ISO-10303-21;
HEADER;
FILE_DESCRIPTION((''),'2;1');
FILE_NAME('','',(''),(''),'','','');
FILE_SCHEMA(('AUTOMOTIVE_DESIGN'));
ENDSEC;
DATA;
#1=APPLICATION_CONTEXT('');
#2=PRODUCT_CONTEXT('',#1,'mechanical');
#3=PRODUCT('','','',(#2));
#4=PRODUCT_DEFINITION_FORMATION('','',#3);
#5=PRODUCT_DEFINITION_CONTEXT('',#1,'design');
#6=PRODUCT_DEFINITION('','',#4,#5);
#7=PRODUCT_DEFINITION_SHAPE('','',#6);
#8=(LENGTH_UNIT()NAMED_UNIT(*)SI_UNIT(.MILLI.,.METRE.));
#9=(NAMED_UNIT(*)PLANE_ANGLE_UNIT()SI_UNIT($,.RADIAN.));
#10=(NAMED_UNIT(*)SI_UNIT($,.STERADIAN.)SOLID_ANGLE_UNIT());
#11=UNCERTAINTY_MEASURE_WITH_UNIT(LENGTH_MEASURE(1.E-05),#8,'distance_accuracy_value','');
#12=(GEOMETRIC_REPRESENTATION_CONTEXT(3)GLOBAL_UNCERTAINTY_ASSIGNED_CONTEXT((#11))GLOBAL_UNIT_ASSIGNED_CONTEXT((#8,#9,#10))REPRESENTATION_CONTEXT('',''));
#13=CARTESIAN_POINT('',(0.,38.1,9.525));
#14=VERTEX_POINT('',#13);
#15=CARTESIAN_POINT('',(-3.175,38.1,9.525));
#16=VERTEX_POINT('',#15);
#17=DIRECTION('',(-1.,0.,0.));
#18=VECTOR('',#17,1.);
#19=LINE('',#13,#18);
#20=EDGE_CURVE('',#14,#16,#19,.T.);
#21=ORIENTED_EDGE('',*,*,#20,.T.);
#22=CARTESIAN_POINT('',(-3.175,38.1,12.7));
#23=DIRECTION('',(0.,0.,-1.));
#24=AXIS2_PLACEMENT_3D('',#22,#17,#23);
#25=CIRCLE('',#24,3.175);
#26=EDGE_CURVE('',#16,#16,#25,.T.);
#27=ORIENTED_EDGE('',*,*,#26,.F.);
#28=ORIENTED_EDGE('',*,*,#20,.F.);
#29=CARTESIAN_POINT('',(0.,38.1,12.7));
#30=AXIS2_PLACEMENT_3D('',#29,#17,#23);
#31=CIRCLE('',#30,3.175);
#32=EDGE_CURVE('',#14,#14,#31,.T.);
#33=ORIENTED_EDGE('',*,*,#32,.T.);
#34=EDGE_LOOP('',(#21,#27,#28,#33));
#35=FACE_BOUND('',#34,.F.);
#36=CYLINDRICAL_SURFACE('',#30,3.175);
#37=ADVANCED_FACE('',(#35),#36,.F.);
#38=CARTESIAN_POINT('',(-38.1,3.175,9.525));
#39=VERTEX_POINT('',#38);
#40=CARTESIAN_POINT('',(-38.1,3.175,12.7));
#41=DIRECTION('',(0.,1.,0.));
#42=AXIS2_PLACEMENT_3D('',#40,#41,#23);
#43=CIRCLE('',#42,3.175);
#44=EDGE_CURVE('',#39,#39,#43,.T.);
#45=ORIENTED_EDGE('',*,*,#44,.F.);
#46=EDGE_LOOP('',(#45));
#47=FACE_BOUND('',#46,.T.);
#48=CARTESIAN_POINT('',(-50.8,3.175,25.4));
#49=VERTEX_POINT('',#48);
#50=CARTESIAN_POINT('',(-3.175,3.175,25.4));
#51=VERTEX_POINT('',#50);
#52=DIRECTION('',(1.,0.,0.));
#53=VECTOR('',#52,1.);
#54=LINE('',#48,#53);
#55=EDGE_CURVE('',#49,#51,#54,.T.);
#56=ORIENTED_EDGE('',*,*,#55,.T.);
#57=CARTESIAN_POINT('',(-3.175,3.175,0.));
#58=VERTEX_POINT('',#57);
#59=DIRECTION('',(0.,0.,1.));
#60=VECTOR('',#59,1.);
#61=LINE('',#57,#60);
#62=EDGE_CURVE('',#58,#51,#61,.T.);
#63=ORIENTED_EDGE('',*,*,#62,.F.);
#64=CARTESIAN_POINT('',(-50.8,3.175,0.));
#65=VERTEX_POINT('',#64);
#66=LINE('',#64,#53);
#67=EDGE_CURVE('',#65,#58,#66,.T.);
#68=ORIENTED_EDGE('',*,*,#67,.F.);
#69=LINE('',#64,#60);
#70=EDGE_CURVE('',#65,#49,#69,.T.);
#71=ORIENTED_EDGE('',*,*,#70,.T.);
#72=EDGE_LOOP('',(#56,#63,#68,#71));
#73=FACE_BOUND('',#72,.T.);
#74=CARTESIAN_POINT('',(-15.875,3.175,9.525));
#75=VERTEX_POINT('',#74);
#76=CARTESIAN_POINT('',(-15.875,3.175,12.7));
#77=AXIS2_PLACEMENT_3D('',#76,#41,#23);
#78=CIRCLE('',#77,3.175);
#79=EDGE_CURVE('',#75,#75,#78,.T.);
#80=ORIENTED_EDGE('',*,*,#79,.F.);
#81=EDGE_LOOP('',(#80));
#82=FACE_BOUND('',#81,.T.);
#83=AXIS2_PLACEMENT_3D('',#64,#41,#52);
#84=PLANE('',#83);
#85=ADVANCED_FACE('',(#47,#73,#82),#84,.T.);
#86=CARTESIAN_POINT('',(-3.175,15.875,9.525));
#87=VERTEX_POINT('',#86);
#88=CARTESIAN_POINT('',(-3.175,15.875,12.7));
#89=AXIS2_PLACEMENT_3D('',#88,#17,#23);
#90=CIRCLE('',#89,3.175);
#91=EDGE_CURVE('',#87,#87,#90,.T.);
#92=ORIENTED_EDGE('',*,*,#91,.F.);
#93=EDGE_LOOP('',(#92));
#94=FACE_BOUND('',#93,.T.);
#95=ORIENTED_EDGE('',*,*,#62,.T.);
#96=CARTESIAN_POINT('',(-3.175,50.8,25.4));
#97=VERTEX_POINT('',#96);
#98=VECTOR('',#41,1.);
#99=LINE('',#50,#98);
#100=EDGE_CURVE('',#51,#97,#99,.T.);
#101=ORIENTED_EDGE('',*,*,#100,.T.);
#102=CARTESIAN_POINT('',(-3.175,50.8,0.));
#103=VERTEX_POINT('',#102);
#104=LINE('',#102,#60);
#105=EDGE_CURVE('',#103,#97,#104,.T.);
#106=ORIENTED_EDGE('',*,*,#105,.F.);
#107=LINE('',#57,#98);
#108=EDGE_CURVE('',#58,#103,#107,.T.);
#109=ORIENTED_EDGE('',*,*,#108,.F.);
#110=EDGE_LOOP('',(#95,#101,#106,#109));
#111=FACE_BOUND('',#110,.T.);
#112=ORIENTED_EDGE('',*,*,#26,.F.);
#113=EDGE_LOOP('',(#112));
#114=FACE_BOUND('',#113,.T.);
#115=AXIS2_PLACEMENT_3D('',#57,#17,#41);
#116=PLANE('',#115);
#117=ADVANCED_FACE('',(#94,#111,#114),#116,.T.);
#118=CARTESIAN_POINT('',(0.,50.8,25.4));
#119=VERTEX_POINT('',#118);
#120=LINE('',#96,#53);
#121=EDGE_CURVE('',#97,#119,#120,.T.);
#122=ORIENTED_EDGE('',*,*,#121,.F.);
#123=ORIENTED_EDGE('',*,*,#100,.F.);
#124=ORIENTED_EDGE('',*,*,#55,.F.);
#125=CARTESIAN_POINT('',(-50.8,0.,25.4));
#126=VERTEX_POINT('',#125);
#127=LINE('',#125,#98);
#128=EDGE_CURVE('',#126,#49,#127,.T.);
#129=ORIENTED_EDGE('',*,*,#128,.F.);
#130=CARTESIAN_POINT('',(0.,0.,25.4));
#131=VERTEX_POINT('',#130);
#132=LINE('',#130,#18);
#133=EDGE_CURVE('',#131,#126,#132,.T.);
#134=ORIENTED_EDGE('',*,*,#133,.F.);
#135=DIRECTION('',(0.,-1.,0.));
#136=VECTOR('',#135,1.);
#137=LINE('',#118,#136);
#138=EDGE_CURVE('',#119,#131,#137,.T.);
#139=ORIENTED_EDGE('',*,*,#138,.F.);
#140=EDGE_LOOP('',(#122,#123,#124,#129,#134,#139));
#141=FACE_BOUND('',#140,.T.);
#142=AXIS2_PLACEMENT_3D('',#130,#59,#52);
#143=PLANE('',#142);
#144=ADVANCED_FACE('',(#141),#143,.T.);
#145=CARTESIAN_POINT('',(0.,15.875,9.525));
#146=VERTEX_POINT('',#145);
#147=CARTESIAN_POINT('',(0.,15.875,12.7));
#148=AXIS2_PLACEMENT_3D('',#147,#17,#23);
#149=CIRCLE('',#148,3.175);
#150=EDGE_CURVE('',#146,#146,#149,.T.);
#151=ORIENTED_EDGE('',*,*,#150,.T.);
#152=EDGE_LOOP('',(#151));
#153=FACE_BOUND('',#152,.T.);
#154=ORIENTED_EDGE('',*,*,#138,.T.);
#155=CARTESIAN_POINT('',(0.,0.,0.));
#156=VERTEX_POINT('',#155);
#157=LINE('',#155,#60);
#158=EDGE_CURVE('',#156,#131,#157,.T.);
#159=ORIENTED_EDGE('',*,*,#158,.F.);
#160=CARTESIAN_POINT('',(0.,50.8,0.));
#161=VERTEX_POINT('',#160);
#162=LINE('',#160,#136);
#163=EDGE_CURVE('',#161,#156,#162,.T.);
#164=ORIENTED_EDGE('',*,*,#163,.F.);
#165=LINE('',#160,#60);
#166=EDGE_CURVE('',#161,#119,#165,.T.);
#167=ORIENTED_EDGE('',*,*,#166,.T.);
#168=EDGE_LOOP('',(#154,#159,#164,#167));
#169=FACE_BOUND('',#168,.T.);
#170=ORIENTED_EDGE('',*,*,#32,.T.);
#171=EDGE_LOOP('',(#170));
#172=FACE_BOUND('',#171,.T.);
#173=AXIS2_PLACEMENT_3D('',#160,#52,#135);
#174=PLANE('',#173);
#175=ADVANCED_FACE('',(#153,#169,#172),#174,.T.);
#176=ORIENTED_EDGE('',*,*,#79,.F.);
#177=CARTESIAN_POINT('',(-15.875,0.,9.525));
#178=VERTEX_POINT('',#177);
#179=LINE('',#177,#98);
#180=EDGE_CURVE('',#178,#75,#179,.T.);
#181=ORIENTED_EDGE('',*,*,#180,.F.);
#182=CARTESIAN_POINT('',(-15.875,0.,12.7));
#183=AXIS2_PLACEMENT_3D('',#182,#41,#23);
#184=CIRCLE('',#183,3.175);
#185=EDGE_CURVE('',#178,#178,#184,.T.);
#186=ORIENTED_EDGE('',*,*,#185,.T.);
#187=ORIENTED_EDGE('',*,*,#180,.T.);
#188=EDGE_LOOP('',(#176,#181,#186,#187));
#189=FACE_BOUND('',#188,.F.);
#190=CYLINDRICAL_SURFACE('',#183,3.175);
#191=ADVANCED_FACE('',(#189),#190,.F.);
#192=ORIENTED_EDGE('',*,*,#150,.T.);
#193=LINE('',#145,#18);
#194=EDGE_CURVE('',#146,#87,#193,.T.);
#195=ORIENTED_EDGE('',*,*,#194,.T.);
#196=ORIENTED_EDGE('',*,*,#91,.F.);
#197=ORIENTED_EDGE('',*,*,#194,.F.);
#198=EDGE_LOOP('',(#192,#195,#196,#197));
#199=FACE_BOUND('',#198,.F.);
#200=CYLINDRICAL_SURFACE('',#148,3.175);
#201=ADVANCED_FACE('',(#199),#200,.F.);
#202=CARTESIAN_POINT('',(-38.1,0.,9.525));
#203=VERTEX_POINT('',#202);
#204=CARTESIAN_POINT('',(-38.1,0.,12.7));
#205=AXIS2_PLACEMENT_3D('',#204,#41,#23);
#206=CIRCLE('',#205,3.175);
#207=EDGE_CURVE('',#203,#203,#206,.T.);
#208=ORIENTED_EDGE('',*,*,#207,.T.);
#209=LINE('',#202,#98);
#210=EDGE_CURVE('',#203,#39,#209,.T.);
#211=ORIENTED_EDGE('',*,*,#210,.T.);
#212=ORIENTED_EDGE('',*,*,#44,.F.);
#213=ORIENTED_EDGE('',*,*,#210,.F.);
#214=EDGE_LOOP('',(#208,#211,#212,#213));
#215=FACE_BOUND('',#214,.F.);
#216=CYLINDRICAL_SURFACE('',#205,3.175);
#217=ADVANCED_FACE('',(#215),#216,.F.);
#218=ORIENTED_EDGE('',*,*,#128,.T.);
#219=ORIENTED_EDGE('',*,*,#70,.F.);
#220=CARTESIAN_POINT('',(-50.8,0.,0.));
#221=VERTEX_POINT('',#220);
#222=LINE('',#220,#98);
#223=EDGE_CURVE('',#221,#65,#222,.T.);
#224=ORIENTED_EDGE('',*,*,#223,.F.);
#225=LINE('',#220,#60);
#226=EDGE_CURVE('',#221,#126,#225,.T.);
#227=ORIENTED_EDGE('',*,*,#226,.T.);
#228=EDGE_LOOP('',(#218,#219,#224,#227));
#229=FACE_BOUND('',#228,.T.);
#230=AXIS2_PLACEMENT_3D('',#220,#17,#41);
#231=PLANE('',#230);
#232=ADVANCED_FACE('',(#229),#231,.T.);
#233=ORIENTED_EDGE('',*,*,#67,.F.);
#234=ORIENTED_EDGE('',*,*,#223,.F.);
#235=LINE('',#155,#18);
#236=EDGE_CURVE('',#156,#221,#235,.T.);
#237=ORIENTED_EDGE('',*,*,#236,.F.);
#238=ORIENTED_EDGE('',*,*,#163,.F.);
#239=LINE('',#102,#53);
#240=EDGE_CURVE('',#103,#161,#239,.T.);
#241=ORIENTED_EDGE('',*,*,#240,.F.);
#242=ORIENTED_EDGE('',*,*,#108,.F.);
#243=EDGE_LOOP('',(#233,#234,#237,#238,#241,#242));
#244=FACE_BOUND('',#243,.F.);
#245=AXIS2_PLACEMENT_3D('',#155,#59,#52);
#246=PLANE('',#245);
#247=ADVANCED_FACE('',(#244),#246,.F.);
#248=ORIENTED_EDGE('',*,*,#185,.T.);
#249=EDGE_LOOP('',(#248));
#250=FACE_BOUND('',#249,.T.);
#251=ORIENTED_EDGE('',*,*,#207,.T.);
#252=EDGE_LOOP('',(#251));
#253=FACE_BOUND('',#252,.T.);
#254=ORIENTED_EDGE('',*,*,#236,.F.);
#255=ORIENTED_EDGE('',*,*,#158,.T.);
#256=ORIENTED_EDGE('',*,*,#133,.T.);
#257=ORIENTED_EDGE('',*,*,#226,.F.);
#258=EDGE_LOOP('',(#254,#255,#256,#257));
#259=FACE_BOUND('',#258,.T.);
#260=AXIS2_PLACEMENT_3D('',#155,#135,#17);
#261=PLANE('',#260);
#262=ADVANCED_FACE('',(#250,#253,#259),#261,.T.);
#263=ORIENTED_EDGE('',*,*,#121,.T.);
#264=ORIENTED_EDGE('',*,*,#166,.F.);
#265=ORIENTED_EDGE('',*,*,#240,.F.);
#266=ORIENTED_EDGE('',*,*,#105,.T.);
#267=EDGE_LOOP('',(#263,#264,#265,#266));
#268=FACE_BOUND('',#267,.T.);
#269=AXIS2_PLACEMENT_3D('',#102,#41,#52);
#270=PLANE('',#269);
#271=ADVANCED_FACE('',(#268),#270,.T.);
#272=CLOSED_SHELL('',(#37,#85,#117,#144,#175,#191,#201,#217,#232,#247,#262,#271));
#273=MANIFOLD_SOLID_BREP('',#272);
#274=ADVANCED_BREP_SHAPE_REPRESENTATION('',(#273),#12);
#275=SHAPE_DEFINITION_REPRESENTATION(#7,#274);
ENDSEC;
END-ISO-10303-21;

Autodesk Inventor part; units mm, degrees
ref_plane "YZ Plane" through (0, 0, 0) normal (1, 0, 0) x (0, 1, 0)
ref_plane "XZ Plane" through (0, 0, 0) normal (0, 1, 0) x (-1, 0, 0)
ref_plane "XY Plane" through (0, 0, 0) normal (0, 0, 1) x (1, 0, 0)
sketch "Sketch1" plane through (0, 0, 0) normal (0, 0, 1) x (1, 0, 0)
  line L0 (0, 0) -> (-50.8, 0)
  line L1 (-50.8, 0) -> (-50.8, 3.175)
  line L2 (-50.8, 3.175) -> (-3.175, 3.175)
  line L3 (-3.175, 3.175) -> (-3.175, 50.8)
  line L4 (-3.175, 50.8) -> (0, 50.8)
  line L5 (0, 50.8) -> (0, 0)
  dimension "d0" = 3.175
  dimension "d1" = 50.8
extrude "Extrusion1" add sketch "Sketch1" along normal blind 25.4
sketch "Sketch2" plane through (-50.8, 0, 0) normal (0, -1, 0) x (1, 0, 0)
  line L0 (50.8, 0) -> (50.8, 25.4) projected
  line L1 (0, 25.4) -> (50.8, 25.4) projected
  point P0 (12.7, 12.7)
  point P1 (34.925, 12.7)
  dimension "d4" = 15.875
  dimension "d5" = 22.225
  dimension "d6" = 12.7
  dimension "d7" = 12.7
hole "Hole1" at (-38.1, 0, 12.7) at (-15.875, 0, 12.7) direction (0, 1, 0) diameter 6.35 end through all
sketch "Sketch3" plane through (0, 0, 0) normal (1, 0, 0) x (0, 0, -1)
  line L0 (0, 50.8) -> (0, 0) projected
  line L1 (-15.875, 3.175) -> (-9.525, 3.175) projected
  point P0 (-12.7, 15.875)
  point P1 (-12.7, 38.1)
  dimension "d15" = 12.7
  dimension "d16" = 12.7
  dimension "d17" = 12.7
  dimension "d18" = 22.225
hole "Hole2" at (0, 15.875, 12.7) at (0, 38.1, 12.7) direction (-1, 0, 0) diameter 6.35 end through all
properties part number "2x1 angle bracket" material "Aluminum 6061"
